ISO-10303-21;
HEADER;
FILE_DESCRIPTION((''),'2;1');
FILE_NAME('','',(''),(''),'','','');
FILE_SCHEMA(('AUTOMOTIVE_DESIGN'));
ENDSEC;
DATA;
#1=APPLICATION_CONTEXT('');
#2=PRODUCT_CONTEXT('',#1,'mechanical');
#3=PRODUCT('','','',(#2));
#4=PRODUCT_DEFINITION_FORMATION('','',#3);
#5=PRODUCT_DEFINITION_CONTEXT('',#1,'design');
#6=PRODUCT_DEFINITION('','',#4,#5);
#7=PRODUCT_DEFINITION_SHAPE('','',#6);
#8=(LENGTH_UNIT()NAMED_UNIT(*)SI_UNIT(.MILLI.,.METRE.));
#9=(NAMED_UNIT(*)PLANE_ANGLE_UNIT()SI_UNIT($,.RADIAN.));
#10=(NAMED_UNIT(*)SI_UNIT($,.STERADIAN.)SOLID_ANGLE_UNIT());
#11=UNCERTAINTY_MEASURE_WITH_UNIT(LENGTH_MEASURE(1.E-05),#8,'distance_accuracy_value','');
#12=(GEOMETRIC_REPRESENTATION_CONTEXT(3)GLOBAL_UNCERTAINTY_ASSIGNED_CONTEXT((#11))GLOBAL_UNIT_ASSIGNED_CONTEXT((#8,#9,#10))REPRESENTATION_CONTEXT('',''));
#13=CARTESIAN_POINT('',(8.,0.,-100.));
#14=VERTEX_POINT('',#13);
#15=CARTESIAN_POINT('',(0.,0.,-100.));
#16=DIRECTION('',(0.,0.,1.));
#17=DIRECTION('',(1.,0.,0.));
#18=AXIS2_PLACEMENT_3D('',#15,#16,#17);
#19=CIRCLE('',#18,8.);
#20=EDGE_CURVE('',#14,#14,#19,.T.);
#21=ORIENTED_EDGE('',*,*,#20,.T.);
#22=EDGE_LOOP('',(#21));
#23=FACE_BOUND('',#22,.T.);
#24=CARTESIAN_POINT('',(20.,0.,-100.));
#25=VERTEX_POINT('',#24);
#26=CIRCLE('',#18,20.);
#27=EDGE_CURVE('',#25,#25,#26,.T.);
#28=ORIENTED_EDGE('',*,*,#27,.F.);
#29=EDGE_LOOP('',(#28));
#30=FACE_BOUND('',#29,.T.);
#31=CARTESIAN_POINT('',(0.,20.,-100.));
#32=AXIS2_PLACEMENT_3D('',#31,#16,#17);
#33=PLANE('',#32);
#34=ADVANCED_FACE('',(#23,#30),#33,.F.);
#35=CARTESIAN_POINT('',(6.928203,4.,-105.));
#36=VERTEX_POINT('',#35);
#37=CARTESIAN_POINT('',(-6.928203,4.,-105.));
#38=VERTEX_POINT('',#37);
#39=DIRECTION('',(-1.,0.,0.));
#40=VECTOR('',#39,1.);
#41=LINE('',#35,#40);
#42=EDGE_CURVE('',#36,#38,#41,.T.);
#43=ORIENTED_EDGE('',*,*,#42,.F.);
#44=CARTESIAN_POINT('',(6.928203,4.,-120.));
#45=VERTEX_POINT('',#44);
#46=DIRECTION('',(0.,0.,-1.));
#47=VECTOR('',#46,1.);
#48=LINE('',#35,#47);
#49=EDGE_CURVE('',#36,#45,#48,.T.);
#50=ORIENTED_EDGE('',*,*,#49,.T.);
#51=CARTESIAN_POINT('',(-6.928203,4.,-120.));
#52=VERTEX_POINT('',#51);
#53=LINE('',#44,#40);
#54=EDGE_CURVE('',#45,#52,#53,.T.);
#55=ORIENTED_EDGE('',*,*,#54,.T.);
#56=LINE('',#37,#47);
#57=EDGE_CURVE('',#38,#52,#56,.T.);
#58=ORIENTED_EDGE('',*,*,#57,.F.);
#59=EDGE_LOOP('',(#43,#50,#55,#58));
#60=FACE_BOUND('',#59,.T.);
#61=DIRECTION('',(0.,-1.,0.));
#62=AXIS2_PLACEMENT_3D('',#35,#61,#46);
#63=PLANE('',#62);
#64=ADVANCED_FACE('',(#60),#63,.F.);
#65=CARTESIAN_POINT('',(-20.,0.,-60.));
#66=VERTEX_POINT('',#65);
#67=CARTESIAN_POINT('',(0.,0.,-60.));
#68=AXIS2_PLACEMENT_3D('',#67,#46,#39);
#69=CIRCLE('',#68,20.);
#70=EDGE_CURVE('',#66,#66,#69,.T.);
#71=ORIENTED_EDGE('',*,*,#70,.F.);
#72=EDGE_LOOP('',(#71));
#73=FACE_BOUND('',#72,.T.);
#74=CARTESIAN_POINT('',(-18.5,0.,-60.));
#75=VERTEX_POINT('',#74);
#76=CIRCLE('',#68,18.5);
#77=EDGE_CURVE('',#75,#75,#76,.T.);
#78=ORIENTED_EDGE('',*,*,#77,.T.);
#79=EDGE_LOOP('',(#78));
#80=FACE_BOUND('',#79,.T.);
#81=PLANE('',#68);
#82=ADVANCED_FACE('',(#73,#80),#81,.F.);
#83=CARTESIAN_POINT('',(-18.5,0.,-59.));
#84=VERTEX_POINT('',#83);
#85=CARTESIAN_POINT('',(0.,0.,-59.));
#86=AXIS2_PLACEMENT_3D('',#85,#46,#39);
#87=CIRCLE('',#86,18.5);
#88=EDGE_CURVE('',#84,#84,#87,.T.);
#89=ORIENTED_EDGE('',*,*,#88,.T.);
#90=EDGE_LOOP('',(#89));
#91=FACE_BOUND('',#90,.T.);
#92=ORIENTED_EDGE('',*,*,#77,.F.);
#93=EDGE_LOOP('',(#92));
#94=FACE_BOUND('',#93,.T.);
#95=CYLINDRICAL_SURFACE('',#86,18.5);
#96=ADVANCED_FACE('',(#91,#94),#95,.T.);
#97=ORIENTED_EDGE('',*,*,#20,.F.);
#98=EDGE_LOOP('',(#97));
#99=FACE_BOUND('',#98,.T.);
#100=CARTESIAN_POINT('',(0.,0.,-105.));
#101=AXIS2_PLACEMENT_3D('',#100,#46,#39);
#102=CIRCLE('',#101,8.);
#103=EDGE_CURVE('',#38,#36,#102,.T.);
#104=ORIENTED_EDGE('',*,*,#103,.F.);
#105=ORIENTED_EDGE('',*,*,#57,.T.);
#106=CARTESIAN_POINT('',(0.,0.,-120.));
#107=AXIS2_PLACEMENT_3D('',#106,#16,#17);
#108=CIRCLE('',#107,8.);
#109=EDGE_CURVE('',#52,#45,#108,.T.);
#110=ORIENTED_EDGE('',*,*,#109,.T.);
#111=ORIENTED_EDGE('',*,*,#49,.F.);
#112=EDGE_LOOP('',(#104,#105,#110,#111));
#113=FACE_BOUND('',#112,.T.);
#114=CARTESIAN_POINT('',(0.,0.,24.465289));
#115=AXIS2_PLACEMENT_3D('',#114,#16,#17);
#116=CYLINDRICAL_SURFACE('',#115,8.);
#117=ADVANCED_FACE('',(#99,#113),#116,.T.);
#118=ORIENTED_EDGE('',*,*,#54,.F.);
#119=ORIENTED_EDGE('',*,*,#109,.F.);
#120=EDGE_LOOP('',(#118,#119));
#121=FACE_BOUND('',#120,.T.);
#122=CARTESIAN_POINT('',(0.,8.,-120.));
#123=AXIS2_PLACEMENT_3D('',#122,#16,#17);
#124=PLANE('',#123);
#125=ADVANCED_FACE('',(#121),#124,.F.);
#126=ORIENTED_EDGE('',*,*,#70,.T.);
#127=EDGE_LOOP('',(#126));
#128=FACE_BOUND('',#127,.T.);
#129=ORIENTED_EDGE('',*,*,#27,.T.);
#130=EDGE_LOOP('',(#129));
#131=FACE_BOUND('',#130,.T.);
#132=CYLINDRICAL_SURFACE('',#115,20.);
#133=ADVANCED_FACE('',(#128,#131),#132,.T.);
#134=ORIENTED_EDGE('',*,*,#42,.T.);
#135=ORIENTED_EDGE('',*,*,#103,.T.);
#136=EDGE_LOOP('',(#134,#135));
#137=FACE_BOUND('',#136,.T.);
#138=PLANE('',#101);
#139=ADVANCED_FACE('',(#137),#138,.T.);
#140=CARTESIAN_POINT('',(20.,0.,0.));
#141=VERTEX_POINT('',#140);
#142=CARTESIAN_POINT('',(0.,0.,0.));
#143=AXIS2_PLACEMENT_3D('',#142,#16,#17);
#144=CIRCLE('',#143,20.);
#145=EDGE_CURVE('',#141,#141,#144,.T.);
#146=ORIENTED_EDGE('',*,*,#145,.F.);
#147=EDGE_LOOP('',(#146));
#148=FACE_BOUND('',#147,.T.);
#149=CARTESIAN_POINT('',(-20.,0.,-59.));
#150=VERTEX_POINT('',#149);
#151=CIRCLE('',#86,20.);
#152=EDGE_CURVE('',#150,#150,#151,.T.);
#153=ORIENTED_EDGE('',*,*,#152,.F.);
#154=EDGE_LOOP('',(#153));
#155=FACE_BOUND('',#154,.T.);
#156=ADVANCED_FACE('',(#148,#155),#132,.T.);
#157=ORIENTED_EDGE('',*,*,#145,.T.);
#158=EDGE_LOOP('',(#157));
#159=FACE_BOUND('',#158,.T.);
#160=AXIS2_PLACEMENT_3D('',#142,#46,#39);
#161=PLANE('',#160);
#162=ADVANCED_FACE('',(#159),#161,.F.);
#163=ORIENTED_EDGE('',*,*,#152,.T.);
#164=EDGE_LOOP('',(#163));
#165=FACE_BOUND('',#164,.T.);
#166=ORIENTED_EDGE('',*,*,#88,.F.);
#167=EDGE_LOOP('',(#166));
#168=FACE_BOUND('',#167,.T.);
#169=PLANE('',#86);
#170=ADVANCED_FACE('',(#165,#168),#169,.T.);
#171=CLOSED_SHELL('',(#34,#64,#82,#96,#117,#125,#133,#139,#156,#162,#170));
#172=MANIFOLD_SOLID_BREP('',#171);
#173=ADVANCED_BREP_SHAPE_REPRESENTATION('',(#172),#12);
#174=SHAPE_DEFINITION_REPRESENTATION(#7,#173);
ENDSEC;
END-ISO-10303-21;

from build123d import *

# Parameters (mm, degrees)
CUT_EXTRUDE1_DEPTH = 15
CUT_EXTRUDE2_START = -40
SKETCH3_R          = 20
SKETCH3_R_2        = 18.5
CUT_EXTRUDE2_DEPTH = 1


with BuildPart() as part:
    # Sketch1 → Revolve1 (revolve)
    with BuildSketch(Plane(origin=(0, 0, 0), x_dir=(0, 0, -1), z_dir=(1, 0, 0)), mode=Mode.PRIVATE) as revolve1_sk:
        Polygon((0, 0), (0, 20), (100, 20), (100, 8), (120, 8), (120, 0), align=None)
    revolve(revolve1_sk.sketch.rotate(Axis((0, 0, 24.465289117), (0, 0, -1)), 90), axis=Axis((0, 0, 24.465289117), (0, 0, -1)))

    # Sketch2 → Cut-Extrude1 (cut)
    with BuildSketch(Plane(origin=(0, 0, -120), x_dir=(-1, 0, 0), z_dir=(0, 0, -1))):
        with BuildLine():
            Line((-6.92820323, 4), (6.92820323, 4))
            ThreePointArc((6.92820323, 4), (0, 8), (-6.92820323, 4))
        make_face()
    extrude(amount=-CUT_EXTRUDE1_DEPTH, mode=Mode.SUBTRACT)

    # Sketch3 → Cut-Extrude2 (cut)
    with BuildSketch(Plane(origin=(0, 0, -100), x_dir=(-1, 0, 0), z_dir=(0, 0, -1)).offset(CUT_EXTRUDE2_START)):
        with Locations(Location((0, 0, 0), (0, 0, 180))):
            Circle(SKETCH3_R)
        Circle(SKETCH3_R_2, mode=Mode.SUBTRACT)
    extrude(amount=-CUT_EXTRUDE2_DEPTH, mode=Mode.SUBTRACT)


solid = part.part
